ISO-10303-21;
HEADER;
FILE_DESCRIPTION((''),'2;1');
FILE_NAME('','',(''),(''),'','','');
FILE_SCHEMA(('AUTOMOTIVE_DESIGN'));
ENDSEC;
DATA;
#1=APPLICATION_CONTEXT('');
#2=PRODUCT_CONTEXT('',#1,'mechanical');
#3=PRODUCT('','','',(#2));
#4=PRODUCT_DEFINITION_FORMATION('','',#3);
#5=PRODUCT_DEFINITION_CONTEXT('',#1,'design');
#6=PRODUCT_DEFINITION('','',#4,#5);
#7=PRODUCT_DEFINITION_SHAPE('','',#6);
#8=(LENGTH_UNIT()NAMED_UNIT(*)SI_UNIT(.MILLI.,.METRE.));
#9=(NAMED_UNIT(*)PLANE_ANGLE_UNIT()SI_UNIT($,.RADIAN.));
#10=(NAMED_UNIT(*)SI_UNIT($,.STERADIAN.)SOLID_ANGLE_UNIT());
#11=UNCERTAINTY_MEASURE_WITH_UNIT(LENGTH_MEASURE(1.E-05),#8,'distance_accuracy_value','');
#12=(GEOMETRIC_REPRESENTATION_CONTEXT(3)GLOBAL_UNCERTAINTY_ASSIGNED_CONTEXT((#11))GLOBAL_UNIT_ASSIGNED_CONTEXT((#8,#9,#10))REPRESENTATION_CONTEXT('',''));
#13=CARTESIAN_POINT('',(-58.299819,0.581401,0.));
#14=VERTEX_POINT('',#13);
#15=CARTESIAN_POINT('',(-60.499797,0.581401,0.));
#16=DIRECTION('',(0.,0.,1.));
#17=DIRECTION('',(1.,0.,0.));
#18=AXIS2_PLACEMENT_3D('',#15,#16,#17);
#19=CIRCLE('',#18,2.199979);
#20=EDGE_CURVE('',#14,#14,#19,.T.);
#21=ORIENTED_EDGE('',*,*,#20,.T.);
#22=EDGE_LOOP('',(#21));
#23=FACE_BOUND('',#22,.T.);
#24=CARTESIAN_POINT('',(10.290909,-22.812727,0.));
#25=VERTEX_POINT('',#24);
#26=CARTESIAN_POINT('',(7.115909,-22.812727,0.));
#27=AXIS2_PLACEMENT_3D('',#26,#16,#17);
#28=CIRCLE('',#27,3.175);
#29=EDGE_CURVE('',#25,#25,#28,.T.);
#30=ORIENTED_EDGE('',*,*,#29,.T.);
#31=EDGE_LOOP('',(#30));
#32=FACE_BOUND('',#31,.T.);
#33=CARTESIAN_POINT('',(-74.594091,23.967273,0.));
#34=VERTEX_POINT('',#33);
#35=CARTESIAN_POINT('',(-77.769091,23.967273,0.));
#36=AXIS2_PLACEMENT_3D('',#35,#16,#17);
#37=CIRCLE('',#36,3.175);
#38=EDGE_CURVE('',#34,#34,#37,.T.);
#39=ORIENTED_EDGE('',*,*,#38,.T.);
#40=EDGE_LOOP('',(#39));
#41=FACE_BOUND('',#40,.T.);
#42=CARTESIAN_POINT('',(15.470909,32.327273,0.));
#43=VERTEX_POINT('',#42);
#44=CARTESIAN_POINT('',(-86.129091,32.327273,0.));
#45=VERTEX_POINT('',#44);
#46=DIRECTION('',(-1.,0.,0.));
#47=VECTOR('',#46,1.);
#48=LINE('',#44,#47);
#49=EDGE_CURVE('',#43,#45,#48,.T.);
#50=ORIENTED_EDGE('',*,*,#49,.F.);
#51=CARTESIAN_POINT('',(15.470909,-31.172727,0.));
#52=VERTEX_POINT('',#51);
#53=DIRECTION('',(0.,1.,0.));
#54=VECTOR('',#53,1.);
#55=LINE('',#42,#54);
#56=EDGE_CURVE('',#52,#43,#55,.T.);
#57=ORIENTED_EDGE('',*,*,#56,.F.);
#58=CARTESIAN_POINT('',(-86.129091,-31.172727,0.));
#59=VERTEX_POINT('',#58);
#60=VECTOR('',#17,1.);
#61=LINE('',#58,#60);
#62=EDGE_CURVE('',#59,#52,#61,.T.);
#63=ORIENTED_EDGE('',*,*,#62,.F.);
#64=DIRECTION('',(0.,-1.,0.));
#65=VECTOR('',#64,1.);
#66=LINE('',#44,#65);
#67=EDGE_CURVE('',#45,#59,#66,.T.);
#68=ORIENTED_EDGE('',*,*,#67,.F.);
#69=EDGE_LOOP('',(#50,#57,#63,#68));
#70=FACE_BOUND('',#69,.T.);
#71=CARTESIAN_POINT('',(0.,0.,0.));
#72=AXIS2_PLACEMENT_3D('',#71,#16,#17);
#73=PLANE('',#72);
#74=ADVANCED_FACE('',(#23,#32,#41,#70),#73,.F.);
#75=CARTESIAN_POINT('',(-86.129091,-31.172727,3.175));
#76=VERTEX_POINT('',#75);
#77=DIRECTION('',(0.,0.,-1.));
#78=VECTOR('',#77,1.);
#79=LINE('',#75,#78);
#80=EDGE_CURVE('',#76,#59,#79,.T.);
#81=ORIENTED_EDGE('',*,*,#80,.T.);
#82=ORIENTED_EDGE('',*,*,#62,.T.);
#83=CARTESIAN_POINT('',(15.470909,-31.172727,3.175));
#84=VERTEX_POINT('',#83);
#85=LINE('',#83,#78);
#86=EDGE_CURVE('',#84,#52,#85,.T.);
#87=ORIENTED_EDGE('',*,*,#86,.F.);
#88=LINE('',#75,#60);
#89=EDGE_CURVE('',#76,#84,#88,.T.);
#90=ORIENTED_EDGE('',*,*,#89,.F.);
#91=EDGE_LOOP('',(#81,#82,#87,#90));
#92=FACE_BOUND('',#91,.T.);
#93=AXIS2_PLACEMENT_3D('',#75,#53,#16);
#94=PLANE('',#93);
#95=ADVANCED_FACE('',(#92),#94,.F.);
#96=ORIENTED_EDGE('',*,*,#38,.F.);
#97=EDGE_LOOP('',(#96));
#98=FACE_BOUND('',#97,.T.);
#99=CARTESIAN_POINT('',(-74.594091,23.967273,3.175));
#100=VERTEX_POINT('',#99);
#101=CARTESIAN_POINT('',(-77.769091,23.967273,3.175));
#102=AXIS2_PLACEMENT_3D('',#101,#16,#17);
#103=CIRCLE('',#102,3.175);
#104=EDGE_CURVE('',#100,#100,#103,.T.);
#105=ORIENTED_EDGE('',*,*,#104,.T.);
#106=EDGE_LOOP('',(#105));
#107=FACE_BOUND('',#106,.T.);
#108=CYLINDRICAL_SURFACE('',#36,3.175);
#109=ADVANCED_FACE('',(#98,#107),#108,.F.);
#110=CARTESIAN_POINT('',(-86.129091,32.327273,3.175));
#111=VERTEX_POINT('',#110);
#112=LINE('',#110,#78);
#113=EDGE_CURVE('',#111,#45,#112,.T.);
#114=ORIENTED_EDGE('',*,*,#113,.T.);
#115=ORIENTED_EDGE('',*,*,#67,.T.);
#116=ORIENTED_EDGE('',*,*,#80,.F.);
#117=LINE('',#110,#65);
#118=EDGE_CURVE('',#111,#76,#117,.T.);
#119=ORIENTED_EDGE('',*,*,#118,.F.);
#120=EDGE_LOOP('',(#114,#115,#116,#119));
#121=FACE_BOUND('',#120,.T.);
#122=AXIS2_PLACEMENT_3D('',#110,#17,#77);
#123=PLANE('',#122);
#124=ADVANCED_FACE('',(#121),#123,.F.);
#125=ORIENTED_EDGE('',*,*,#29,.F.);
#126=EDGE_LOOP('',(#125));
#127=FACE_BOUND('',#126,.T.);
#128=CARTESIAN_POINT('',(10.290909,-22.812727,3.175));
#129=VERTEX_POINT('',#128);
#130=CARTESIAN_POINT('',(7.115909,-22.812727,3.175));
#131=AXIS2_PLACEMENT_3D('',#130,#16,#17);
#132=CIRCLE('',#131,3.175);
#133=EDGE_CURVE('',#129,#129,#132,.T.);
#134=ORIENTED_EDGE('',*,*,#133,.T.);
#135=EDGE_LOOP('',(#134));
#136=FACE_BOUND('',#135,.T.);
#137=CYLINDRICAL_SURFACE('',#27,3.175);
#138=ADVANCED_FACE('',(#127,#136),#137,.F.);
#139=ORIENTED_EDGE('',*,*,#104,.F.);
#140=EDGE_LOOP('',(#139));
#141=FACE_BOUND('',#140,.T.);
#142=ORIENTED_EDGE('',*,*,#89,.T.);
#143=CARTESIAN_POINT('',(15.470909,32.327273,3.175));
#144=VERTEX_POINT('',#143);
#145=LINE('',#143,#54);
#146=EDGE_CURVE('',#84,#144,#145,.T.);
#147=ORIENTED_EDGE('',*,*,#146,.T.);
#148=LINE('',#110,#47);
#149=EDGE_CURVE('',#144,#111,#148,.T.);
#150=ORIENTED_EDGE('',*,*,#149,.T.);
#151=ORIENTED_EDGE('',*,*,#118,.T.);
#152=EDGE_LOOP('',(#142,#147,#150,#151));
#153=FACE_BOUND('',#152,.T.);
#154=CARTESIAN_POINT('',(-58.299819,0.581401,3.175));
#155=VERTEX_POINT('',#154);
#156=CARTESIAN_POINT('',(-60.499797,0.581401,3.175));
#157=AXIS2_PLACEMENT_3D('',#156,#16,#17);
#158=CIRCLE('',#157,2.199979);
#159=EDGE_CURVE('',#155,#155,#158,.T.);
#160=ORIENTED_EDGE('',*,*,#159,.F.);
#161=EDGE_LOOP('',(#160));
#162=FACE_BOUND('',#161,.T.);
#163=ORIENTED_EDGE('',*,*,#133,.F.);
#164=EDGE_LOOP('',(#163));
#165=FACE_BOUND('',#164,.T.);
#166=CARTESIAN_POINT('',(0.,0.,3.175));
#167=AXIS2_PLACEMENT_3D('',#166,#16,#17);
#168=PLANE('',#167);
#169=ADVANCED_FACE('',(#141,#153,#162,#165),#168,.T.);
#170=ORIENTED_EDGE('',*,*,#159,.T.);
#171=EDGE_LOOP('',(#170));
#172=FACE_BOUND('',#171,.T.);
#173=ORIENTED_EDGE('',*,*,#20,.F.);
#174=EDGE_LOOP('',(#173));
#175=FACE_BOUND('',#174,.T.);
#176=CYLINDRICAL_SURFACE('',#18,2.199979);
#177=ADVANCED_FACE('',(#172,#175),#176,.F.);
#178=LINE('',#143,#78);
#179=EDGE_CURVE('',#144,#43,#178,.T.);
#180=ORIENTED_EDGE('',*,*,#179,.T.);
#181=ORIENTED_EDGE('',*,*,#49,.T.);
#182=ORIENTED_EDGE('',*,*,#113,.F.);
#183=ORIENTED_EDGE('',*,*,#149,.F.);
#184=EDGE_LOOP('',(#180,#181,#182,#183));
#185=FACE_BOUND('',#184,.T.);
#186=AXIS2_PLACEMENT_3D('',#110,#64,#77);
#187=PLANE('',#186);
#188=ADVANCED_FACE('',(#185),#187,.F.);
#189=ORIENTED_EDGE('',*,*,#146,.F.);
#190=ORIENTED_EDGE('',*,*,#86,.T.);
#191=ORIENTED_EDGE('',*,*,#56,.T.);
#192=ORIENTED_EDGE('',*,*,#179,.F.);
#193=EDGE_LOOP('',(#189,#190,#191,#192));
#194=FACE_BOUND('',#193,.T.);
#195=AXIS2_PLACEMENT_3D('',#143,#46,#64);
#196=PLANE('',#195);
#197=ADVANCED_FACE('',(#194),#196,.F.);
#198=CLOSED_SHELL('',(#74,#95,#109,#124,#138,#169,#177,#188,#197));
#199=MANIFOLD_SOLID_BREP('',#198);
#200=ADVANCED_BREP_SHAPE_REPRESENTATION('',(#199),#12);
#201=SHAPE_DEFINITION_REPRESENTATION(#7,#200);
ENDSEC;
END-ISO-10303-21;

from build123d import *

# Parameters (mm, degrees)
SKETCH1_W           = 101.6
SKETCH1_H           = 63.5
BOSS_EXTRUDE1_DEPTH = 3.175
SKETCH2_R           = 3.175
CUT_EXTRUDE1_DEPTH  = 3.175
SKETCH3_R           = 2.199978507
CUT_EXTRUDE2_DEPTH  = 3.175


with BuildPart() as part:
    # Sketch1 → Boss-Extrude1 (new body)
    with BuildSketch(Plane.XY):
        with Locations((-35.329090909, 0.577272727)):
            Rectangle(SKETCH1_W, SKETCH1_H)
    extrude(amount=BOSS_EXTRUDE1_DEPTH)

    # Sketch2 → Cut-Extrude1 (cut)
    with BuildSketch(Plane.XY.offset(3.175)):
        with Locations((-77.769090909, 23.967272727)):
            Circle(SKETCH2_R)
        with Locations((7.115909091, -22.812727273)):
            Circle(SKETCH2_R)
    extrude(amount=-CUT_EXTRUDE1_DEPTH, mode=Mode.SUBTRACT)

    # Sketch3 → Cut-Extrude2 (cut)
    with BuildSketch(Plane.XY.offset(3.175)):
        with Locations((-60.499797011, 0.581401186)):
            Circle(SKETCH3_R)
    extrude(amount=-CUT_EXTRUDE2_DEPTH, mode=Mode.SUBTRACT)


solid = part.part
